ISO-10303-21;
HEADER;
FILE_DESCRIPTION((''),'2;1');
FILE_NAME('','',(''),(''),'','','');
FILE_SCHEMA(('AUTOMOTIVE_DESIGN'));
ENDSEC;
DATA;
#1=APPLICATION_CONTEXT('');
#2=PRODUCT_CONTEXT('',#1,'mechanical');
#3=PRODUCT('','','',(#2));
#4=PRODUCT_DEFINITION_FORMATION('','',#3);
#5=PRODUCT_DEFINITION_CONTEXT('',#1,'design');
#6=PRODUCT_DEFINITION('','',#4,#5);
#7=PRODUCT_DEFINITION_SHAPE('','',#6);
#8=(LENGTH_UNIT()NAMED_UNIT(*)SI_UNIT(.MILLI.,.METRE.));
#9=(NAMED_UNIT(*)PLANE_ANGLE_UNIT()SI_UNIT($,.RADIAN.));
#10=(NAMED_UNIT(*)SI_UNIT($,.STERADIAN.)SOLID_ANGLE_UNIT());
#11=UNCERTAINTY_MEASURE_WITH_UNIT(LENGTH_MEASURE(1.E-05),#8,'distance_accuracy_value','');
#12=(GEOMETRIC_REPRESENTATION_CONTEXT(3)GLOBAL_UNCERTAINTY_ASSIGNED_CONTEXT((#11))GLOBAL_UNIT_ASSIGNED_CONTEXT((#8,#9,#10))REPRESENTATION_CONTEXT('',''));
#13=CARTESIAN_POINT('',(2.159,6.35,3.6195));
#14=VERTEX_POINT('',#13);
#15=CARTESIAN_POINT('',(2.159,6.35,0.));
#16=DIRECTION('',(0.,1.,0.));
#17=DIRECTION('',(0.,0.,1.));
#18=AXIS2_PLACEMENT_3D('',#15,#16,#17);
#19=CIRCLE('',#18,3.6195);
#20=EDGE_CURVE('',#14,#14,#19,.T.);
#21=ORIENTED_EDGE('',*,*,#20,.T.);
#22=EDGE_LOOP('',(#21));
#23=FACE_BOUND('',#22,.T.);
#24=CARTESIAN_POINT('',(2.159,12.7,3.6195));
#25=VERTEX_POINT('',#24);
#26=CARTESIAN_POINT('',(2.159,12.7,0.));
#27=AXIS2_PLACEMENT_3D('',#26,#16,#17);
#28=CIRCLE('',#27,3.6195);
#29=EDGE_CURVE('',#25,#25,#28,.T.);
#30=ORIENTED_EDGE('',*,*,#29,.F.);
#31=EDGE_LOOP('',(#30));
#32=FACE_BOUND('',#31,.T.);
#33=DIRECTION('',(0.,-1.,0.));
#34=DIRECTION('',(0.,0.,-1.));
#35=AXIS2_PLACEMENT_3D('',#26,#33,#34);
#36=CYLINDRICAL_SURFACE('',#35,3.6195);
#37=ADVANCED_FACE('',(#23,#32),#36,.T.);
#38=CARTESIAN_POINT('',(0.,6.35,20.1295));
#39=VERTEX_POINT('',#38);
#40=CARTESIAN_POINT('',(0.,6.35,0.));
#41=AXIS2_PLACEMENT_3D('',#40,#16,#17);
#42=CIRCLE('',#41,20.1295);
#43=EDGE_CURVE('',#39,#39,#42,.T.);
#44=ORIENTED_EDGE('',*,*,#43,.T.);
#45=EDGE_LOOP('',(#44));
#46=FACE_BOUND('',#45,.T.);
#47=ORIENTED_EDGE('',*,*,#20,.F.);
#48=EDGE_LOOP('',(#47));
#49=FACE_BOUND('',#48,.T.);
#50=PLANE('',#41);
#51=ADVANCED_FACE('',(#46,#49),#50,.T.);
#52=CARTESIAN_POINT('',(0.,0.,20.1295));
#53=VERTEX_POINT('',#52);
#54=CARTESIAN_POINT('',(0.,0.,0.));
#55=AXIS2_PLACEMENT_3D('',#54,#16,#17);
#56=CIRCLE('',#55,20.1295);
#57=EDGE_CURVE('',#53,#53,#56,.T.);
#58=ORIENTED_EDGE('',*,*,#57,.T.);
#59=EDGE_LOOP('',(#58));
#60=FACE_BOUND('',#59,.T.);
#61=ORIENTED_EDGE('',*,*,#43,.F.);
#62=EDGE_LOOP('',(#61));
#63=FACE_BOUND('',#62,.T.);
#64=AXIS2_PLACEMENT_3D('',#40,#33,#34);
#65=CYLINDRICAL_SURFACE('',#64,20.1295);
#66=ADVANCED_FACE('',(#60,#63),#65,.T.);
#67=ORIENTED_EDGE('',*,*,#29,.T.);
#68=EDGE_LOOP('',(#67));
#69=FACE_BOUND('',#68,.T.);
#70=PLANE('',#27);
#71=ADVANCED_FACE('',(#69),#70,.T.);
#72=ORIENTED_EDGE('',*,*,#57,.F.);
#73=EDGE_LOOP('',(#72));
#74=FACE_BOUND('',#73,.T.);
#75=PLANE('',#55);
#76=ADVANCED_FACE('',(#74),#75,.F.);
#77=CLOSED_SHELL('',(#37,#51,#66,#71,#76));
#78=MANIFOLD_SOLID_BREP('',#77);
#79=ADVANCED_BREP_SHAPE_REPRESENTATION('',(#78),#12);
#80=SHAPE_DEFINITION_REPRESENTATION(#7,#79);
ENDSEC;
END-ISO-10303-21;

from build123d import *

# Parameters (mm, degrees)
SKETCH1_R           = 20.1295
BOSS_EXTRUDE1_DEPTH = 6.35
SKETCH2_R           = 3.6195
BOSS_EXTRUDE2_DEPTH = 6.35


with BuildPart() as part:
    # Sketch1 → Boss-Extrude1 (new body)
    with BuildSketch(Plane(origin=(0, 0, 0), x_dir=(1, 0, 0), z_dir=(0, 1, 0))):
        with Locations(Location((0, 0, 0), (0, 0, 270))):
            Circle(SKETCH1_R)
    extrude(amount=BOSS_EXTRUDE1_DEPTH)

    # Sketch2 → Boss-Extrude2 (add)
    with BuildSketch(Plane(origin=(0, 6.35, 0), x_dir=(1, 0, 0), z_dir=(0, 1, 0))):
        with Locations(Location((2.159, 0, 0), (0, 0, 270))):
            Circle(SKETCH2_R)
    extrude(amount=BOSS_EXTRUDE2_DEPTH)


solid = part.part
